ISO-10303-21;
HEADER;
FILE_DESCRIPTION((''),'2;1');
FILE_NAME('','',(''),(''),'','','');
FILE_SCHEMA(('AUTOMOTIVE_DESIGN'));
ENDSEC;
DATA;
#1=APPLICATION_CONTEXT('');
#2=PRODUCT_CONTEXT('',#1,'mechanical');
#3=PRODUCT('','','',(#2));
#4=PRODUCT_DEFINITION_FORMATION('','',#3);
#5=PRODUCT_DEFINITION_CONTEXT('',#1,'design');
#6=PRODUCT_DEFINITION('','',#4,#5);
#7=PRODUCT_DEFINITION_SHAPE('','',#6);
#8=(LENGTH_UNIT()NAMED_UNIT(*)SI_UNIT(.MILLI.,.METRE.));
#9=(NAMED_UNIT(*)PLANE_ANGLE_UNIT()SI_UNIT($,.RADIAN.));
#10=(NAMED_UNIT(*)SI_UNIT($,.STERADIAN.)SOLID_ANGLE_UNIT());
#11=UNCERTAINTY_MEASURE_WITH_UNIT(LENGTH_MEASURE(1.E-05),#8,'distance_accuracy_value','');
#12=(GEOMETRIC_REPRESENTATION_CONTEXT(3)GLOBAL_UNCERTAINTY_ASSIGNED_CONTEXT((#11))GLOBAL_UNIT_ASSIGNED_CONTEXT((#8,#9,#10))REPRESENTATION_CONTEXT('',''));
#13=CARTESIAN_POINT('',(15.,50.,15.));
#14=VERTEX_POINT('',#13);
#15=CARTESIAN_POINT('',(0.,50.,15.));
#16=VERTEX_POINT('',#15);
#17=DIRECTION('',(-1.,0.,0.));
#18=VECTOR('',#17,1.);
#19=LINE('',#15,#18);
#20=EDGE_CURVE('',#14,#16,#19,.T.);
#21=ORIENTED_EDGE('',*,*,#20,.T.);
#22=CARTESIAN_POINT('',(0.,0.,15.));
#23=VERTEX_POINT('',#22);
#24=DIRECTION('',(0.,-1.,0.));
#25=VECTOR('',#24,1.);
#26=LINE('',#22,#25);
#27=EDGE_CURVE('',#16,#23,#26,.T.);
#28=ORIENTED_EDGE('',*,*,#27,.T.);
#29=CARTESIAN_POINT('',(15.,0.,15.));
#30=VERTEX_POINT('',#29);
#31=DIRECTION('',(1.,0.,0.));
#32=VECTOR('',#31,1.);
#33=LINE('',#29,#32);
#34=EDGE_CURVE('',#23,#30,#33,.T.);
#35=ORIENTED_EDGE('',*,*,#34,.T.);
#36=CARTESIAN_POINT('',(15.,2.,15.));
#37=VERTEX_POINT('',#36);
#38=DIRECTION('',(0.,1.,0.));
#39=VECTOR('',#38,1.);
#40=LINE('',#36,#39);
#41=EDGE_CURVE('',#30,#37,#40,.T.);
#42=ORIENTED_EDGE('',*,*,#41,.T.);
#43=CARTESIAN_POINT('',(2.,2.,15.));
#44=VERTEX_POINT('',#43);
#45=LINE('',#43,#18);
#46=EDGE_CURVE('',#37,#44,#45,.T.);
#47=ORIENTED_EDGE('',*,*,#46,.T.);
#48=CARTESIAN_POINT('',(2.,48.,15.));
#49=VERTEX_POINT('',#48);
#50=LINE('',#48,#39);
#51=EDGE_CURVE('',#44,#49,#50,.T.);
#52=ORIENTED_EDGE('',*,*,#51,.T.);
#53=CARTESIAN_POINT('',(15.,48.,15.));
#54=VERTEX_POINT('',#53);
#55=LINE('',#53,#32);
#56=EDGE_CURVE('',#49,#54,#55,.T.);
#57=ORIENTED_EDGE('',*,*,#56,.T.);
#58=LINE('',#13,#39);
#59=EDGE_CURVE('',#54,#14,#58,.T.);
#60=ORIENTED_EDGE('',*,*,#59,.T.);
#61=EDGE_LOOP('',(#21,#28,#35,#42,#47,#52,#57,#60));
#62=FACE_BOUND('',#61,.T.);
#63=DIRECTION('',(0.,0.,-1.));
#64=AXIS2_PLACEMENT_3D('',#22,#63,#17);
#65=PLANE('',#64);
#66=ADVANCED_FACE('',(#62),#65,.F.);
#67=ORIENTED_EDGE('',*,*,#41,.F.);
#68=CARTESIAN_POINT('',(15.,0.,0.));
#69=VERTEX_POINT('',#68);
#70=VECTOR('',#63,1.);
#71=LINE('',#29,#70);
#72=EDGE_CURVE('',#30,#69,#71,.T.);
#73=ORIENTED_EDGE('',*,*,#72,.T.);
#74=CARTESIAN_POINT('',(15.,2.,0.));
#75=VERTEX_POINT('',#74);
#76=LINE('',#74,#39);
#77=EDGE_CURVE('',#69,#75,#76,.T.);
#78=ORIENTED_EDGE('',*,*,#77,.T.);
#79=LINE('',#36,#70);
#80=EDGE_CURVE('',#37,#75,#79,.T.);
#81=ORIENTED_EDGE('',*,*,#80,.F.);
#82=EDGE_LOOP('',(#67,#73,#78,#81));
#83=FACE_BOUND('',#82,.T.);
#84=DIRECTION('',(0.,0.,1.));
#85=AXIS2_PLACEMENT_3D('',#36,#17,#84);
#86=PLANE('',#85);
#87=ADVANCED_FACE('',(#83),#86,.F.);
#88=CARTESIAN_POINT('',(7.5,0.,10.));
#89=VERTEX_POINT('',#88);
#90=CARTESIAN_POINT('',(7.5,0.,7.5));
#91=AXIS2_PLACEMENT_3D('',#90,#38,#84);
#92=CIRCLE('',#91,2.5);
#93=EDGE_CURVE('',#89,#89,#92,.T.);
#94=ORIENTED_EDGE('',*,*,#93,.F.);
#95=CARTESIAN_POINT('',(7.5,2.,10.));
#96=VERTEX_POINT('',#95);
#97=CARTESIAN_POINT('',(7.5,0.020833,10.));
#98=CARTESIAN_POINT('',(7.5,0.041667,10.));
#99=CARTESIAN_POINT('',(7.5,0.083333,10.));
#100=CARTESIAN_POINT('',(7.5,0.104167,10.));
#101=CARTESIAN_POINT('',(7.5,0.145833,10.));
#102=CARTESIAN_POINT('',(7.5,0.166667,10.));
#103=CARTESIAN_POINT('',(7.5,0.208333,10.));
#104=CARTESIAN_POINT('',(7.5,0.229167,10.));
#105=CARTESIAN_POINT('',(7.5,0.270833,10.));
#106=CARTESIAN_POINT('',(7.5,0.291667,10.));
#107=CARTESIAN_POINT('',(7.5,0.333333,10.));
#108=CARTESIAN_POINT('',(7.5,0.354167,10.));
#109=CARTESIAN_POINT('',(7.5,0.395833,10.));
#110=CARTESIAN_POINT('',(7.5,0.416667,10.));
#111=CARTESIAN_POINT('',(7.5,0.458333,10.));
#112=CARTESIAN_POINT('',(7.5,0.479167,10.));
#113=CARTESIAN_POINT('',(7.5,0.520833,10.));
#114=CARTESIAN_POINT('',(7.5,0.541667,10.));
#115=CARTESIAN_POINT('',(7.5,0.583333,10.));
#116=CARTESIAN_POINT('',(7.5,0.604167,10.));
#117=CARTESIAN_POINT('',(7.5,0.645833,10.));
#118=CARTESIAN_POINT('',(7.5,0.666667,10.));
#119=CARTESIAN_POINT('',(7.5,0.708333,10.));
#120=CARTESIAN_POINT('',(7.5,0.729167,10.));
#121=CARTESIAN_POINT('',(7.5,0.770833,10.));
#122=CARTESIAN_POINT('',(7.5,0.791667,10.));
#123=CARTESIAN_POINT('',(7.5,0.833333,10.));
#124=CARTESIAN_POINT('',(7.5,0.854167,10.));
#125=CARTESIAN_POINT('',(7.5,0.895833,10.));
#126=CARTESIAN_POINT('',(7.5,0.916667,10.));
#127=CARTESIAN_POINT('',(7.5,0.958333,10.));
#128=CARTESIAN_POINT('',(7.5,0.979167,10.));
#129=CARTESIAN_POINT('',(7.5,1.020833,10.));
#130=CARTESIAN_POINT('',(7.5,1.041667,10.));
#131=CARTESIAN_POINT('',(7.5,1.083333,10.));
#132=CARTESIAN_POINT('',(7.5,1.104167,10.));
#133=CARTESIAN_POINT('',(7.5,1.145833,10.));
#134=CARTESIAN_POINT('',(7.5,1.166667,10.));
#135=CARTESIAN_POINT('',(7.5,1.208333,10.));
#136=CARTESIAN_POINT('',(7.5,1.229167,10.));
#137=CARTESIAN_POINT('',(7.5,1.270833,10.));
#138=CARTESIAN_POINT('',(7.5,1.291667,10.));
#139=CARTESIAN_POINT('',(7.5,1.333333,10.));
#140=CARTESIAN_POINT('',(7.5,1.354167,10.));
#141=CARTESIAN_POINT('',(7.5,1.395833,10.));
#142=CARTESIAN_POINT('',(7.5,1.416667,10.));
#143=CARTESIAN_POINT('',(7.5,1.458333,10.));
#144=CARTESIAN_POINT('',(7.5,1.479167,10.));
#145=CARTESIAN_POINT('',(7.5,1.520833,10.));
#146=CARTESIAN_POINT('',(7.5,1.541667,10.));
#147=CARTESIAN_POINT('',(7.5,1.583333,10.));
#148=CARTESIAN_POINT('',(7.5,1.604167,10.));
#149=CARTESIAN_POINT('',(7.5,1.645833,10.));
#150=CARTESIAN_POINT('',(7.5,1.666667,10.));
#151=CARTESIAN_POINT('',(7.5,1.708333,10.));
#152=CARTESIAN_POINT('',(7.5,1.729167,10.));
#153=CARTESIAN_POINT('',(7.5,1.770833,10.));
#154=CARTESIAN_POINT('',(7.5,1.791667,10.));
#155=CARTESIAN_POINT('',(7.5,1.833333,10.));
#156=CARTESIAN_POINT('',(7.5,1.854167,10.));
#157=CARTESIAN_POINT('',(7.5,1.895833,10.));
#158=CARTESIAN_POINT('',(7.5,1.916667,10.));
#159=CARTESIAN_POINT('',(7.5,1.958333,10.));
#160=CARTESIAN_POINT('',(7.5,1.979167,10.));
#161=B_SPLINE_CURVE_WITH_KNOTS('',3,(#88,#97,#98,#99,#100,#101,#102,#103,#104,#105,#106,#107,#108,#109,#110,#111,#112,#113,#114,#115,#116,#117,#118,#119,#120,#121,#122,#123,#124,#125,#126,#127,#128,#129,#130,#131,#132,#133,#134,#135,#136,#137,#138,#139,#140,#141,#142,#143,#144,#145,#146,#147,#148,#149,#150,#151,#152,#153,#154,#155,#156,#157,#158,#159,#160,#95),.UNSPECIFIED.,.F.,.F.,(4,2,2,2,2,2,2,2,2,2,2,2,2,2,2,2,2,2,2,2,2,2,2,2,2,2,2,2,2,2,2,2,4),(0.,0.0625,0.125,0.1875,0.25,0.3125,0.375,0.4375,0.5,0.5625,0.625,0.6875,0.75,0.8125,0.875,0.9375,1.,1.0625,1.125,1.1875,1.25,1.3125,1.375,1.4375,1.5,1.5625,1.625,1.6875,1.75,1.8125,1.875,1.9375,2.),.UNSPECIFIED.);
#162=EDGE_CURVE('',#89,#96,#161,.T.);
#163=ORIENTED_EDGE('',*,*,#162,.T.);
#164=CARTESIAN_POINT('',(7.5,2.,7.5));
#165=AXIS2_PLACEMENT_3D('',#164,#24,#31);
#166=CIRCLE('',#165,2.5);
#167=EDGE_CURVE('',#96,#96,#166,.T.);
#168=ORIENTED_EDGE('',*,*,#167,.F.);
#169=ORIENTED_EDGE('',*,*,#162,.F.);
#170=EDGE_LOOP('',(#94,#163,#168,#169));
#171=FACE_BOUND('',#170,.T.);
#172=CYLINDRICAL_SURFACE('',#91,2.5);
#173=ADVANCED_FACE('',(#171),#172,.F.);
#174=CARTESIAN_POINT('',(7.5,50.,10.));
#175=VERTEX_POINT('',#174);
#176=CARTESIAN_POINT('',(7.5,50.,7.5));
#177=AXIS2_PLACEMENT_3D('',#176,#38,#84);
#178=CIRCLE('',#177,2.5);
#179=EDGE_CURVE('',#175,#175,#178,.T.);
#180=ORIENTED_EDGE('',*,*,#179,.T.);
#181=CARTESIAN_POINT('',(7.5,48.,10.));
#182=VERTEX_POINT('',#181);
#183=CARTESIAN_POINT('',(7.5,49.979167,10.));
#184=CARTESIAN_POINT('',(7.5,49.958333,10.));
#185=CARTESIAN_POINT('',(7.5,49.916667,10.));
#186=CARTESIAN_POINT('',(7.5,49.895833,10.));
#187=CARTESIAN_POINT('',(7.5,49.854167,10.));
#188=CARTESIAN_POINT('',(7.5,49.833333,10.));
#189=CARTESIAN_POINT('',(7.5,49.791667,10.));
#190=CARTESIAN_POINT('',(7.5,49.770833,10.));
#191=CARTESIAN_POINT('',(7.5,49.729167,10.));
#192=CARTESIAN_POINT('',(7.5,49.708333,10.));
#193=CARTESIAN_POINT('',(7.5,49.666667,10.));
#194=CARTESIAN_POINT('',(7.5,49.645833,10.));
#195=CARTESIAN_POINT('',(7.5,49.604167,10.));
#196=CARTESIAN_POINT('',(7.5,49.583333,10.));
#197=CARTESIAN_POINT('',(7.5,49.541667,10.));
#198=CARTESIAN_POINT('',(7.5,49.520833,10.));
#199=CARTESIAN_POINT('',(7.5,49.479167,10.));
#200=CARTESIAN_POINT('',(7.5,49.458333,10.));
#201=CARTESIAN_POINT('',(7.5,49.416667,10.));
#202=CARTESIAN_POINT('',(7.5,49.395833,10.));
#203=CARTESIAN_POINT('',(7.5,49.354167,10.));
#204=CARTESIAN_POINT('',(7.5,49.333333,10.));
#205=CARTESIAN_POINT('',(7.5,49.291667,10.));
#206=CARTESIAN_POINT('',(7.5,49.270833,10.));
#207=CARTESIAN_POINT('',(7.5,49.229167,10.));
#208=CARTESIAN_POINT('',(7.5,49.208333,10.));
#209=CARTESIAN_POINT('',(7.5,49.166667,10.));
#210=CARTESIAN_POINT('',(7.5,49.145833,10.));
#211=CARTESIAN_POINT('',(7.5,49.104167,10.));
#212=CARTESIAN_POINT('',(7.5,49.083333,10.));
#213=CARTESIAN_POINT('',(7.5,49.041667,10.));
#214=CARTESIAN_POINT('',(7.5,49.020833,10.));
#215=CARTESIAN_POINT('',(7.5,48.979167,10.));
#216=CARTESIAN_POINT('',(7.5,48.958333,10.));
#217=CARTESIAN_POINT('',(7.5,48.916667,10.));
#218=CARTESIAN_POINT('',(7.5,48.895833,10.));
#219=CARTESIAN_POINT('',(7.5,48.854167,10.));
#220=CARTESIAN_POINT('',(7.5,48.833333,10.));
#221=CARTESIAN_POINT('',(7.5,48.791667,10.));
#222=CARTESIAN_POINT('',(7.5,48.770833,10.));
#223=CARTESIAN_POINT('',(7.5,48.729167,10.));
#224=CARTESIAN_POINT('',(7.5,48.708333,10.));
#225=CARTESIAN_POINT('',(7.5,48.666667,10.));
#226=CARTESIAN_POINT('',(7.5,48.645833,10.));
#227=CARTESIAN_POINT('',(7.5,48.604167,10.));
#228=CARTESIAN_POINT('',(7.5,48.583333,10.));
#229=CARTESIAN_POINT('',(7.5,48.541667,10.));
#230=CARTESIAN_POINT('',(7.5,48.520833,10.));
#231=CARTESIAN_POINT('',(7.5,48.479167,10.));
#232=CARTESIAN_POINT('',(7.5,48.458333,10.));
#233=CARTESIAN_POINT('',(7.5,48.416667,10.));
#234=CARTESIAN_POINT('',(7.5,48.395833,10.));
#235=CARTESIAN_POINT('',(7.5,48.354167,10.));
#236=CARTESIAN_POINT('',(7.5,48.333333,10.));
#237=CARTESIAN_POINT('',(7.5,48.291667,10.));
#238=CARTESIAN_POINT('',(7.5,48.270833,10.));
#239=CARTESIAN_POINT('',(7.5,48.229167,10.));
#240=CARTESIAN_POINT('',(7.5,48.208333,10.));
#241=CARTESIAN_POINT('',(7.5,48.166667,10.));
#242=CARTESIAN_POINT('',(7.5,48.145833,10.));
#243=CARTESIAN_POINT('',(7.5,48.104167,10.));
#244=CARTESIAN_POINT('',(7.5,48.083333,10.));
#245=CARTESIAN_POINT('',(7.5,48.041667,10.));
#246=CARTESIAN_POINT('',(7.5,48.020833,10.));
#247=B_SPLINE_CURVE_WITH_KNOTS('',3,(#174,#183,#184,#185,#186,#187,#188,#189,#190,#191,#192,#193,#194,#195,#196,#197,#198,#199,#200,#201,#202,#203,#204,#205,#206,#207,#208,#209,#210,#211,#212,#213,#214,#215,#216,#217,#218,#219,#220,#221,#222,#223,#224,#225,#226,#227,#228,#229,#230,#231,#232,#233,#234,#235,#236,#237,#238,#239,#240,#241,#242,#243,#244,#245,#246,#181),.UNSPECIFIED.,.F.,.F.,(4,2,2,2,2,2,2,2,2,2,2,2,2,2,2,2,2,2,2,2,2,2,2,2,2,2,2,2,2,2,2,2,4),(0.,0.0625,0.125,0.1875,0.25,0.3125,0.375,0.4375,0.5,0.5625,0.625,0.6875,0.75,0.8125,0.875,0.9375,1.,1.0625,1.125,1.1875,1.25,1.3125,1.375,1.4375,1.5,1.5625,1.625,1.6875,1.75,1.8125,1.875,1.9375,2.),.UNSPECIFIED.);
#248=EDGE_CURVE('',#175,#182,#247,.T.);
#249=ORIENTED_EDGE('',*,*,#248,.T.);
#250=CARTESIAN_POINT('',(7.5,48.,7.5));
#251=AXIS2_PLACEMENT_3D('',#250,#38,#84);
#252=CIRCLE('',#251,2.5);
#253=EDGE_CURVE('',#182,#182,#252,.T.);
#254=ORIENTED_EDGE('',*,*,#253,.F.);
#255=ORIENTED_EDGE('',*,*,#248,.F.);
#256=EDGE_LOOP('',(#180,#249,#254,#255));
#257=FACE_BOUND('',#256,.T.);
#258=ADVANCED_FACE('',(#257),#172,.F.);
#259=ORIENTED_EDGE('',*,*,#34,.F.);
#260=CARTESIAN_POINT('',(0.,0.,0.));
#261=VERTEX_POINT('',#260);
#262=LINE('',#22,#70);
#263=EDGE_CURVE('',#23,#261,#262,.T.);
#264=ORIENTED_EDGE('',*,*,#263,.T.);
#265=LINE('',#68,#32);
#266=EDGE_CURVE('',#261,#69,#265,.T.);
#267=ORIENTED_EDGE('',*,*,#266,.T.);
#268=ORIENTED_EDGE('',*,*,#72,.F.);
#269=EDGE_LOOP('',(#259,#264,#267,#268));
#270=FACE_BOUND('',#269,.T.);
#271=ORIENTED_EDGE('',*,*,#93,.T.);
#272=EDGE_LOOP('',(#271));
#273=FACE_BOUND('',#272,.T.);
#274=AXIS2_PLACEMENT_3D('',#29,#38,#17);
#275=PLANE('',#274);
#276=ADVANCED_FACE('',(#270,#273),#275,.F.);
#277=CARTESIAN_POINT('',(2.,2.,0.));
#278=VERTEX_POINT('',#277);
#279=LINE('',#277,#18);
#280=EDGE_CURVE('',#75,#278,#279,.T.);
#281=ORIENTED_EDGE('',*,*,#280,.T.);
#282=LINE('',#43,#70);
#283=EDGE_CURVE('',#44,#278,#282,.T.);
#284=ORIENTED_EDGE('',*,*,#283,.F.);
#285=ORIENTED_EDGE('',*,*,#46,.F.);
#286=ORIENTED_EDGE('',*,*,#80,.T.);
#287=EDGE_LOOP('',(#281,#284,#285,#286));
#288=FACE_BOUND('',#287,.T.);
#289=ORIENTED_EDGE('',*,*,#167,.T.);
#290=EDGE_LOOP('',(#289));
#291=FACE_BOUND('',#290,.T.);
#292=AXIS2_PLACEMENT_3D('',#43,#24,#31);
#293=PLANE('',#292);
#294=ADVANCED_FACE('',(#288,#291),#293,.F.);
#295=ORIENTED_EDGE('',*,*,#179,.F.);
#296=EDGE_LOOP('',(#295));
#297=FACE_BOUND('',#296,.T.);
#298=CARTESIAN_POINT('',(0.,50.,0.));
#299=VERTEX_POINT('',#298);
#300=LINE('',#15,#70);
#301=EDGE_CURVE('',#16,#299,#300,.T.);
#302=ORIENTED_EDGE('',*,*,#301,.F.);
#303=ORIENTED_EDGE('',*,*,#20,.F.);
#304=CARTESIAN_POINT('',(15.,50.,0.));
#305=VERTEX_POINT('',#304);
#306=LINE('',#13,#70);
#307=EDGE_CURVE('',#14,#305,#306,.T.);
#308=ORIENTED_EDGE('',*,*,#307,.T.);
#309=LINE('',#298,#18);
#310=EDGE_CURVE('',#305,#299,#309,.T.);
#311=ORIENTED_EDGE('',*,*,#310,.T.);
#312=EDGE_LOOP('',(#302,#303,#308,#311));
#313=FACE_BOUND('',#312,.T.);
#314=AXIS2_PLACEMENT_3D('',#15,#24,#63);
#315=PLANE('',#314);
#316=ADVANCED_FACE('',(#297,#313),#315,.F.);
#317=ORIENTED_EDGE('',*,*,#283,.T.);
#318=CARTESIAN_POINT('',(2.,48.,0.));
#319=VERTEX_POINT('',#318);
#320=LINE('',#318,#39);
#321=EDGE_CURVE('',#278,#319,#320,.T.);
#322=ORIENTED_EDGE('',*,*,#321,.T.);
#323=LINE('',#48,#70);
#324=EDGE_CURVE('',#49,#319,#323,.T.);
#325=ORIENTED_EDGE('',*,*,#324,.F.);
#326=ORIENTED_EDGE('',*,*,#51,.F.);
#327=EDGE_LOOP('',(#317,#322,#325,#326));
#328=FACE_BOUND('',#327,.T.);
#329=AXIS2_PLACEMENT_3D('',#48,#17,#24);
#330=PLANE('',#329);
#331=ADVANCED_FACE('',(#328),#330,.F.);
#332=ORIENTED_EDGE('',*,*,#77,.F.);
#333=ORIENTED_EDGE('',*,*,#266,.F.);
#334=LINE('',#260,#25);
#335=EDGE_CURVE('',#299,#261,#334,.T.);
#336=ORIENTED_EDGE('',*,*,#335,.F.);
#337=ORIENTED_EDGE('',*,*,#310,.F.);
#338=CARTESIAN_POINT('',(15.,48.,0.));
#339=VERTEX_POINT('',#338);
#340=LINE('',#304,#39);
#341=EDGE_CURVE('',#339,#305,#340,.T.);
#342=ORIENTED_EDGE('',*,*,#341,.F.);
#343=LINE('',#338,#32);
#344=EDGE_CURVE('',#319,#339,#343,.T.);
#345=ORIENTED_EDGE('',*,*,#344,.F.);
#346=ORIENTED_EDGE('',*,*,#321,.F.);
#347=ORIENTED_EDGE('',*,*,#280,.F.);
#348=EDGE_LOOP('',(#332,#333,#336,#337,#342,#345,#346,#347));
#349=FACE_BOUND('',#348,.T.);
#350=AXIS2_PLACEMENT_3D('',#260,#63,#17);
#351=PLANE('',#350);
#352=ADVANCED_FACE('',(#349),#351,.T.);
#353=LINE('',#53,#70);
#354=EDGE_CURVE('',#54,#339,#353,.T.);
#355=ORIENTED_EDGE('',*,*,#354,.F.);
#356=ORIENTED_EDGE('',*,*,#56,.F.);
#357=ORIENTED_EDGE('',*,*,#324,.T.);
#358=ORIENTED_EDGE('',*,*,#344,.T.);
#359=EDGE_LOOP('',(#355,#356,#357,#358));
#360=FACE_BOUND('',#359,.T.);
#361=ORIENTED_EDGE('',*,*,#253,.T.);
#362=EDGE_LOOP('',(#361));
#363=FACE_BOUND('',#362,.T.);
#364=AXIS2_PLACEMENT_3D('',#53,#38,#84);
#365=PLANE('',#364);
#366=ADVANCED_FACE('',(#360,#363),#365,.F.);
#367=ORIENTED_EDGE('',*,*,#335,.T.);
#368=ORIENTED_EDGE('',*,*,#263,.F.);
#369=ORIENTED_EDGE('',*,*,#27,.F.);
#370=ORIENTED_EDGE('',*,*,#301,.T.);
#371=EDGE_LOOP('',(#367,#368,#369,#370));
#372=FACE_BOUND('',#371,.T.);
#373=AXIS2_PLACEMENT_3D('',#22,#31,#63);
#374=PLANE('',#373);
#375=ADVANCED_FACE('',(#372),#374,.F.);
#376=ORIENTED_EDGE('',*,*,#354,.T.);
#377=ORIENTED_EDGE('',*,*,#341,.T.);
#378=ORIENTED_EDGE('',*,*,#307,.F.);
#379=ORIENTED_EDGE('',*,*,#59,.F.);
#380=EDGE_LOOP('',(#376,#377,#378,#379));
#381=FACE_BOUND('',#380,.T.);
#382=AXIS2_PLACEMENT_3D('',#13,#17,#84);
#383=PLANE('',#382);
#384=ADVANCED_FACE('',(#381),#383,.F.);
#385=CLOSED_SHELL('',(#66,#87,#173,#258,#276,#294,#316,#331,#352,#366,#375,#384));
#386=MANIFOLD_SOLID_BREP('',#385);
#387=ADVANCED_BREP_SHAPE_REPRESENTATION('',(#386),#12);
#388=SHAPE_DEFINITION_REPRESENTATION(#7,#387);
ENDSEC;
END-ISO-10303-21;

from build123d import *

# Parameters (mm, degrees)
SALIENTE_EXTRUIR1_DEPTH = 15
CROQUIS2_R              = 2.5
CORTAR_EXTRUIR1_DEPTH   = 55.313902456


with BuildPart() as part:
    # Croquis1 → Saliente-Extruir1 (new body)
    with BuildSketch(Plane.XY):
        Polygon((15, 0), (0, 0), (0, 50), (15, 50), (15, 48), (2, 48), (2, 2), (15, 2), align=None)
    extrude(amount=SALIENTE_EXTRUIR1_DEPTH)

    # Croquis2 → Cortar-Extruir1 (cut, through all)
    with BuildSketch(Plane(origin=(0, 50, 0), x_dir=(1, 0, 0), z_dir=(0, 1, 0))):
        with Locations(Location((7.5, -7.5, 0), (0, 0, 270))):
            Circle(CROQUIS2_R)
    extrude(amount=-CORTAR_EXTRUIR1_DEPTH, mode=Mode.SUBTRACT)


solid = part.part
